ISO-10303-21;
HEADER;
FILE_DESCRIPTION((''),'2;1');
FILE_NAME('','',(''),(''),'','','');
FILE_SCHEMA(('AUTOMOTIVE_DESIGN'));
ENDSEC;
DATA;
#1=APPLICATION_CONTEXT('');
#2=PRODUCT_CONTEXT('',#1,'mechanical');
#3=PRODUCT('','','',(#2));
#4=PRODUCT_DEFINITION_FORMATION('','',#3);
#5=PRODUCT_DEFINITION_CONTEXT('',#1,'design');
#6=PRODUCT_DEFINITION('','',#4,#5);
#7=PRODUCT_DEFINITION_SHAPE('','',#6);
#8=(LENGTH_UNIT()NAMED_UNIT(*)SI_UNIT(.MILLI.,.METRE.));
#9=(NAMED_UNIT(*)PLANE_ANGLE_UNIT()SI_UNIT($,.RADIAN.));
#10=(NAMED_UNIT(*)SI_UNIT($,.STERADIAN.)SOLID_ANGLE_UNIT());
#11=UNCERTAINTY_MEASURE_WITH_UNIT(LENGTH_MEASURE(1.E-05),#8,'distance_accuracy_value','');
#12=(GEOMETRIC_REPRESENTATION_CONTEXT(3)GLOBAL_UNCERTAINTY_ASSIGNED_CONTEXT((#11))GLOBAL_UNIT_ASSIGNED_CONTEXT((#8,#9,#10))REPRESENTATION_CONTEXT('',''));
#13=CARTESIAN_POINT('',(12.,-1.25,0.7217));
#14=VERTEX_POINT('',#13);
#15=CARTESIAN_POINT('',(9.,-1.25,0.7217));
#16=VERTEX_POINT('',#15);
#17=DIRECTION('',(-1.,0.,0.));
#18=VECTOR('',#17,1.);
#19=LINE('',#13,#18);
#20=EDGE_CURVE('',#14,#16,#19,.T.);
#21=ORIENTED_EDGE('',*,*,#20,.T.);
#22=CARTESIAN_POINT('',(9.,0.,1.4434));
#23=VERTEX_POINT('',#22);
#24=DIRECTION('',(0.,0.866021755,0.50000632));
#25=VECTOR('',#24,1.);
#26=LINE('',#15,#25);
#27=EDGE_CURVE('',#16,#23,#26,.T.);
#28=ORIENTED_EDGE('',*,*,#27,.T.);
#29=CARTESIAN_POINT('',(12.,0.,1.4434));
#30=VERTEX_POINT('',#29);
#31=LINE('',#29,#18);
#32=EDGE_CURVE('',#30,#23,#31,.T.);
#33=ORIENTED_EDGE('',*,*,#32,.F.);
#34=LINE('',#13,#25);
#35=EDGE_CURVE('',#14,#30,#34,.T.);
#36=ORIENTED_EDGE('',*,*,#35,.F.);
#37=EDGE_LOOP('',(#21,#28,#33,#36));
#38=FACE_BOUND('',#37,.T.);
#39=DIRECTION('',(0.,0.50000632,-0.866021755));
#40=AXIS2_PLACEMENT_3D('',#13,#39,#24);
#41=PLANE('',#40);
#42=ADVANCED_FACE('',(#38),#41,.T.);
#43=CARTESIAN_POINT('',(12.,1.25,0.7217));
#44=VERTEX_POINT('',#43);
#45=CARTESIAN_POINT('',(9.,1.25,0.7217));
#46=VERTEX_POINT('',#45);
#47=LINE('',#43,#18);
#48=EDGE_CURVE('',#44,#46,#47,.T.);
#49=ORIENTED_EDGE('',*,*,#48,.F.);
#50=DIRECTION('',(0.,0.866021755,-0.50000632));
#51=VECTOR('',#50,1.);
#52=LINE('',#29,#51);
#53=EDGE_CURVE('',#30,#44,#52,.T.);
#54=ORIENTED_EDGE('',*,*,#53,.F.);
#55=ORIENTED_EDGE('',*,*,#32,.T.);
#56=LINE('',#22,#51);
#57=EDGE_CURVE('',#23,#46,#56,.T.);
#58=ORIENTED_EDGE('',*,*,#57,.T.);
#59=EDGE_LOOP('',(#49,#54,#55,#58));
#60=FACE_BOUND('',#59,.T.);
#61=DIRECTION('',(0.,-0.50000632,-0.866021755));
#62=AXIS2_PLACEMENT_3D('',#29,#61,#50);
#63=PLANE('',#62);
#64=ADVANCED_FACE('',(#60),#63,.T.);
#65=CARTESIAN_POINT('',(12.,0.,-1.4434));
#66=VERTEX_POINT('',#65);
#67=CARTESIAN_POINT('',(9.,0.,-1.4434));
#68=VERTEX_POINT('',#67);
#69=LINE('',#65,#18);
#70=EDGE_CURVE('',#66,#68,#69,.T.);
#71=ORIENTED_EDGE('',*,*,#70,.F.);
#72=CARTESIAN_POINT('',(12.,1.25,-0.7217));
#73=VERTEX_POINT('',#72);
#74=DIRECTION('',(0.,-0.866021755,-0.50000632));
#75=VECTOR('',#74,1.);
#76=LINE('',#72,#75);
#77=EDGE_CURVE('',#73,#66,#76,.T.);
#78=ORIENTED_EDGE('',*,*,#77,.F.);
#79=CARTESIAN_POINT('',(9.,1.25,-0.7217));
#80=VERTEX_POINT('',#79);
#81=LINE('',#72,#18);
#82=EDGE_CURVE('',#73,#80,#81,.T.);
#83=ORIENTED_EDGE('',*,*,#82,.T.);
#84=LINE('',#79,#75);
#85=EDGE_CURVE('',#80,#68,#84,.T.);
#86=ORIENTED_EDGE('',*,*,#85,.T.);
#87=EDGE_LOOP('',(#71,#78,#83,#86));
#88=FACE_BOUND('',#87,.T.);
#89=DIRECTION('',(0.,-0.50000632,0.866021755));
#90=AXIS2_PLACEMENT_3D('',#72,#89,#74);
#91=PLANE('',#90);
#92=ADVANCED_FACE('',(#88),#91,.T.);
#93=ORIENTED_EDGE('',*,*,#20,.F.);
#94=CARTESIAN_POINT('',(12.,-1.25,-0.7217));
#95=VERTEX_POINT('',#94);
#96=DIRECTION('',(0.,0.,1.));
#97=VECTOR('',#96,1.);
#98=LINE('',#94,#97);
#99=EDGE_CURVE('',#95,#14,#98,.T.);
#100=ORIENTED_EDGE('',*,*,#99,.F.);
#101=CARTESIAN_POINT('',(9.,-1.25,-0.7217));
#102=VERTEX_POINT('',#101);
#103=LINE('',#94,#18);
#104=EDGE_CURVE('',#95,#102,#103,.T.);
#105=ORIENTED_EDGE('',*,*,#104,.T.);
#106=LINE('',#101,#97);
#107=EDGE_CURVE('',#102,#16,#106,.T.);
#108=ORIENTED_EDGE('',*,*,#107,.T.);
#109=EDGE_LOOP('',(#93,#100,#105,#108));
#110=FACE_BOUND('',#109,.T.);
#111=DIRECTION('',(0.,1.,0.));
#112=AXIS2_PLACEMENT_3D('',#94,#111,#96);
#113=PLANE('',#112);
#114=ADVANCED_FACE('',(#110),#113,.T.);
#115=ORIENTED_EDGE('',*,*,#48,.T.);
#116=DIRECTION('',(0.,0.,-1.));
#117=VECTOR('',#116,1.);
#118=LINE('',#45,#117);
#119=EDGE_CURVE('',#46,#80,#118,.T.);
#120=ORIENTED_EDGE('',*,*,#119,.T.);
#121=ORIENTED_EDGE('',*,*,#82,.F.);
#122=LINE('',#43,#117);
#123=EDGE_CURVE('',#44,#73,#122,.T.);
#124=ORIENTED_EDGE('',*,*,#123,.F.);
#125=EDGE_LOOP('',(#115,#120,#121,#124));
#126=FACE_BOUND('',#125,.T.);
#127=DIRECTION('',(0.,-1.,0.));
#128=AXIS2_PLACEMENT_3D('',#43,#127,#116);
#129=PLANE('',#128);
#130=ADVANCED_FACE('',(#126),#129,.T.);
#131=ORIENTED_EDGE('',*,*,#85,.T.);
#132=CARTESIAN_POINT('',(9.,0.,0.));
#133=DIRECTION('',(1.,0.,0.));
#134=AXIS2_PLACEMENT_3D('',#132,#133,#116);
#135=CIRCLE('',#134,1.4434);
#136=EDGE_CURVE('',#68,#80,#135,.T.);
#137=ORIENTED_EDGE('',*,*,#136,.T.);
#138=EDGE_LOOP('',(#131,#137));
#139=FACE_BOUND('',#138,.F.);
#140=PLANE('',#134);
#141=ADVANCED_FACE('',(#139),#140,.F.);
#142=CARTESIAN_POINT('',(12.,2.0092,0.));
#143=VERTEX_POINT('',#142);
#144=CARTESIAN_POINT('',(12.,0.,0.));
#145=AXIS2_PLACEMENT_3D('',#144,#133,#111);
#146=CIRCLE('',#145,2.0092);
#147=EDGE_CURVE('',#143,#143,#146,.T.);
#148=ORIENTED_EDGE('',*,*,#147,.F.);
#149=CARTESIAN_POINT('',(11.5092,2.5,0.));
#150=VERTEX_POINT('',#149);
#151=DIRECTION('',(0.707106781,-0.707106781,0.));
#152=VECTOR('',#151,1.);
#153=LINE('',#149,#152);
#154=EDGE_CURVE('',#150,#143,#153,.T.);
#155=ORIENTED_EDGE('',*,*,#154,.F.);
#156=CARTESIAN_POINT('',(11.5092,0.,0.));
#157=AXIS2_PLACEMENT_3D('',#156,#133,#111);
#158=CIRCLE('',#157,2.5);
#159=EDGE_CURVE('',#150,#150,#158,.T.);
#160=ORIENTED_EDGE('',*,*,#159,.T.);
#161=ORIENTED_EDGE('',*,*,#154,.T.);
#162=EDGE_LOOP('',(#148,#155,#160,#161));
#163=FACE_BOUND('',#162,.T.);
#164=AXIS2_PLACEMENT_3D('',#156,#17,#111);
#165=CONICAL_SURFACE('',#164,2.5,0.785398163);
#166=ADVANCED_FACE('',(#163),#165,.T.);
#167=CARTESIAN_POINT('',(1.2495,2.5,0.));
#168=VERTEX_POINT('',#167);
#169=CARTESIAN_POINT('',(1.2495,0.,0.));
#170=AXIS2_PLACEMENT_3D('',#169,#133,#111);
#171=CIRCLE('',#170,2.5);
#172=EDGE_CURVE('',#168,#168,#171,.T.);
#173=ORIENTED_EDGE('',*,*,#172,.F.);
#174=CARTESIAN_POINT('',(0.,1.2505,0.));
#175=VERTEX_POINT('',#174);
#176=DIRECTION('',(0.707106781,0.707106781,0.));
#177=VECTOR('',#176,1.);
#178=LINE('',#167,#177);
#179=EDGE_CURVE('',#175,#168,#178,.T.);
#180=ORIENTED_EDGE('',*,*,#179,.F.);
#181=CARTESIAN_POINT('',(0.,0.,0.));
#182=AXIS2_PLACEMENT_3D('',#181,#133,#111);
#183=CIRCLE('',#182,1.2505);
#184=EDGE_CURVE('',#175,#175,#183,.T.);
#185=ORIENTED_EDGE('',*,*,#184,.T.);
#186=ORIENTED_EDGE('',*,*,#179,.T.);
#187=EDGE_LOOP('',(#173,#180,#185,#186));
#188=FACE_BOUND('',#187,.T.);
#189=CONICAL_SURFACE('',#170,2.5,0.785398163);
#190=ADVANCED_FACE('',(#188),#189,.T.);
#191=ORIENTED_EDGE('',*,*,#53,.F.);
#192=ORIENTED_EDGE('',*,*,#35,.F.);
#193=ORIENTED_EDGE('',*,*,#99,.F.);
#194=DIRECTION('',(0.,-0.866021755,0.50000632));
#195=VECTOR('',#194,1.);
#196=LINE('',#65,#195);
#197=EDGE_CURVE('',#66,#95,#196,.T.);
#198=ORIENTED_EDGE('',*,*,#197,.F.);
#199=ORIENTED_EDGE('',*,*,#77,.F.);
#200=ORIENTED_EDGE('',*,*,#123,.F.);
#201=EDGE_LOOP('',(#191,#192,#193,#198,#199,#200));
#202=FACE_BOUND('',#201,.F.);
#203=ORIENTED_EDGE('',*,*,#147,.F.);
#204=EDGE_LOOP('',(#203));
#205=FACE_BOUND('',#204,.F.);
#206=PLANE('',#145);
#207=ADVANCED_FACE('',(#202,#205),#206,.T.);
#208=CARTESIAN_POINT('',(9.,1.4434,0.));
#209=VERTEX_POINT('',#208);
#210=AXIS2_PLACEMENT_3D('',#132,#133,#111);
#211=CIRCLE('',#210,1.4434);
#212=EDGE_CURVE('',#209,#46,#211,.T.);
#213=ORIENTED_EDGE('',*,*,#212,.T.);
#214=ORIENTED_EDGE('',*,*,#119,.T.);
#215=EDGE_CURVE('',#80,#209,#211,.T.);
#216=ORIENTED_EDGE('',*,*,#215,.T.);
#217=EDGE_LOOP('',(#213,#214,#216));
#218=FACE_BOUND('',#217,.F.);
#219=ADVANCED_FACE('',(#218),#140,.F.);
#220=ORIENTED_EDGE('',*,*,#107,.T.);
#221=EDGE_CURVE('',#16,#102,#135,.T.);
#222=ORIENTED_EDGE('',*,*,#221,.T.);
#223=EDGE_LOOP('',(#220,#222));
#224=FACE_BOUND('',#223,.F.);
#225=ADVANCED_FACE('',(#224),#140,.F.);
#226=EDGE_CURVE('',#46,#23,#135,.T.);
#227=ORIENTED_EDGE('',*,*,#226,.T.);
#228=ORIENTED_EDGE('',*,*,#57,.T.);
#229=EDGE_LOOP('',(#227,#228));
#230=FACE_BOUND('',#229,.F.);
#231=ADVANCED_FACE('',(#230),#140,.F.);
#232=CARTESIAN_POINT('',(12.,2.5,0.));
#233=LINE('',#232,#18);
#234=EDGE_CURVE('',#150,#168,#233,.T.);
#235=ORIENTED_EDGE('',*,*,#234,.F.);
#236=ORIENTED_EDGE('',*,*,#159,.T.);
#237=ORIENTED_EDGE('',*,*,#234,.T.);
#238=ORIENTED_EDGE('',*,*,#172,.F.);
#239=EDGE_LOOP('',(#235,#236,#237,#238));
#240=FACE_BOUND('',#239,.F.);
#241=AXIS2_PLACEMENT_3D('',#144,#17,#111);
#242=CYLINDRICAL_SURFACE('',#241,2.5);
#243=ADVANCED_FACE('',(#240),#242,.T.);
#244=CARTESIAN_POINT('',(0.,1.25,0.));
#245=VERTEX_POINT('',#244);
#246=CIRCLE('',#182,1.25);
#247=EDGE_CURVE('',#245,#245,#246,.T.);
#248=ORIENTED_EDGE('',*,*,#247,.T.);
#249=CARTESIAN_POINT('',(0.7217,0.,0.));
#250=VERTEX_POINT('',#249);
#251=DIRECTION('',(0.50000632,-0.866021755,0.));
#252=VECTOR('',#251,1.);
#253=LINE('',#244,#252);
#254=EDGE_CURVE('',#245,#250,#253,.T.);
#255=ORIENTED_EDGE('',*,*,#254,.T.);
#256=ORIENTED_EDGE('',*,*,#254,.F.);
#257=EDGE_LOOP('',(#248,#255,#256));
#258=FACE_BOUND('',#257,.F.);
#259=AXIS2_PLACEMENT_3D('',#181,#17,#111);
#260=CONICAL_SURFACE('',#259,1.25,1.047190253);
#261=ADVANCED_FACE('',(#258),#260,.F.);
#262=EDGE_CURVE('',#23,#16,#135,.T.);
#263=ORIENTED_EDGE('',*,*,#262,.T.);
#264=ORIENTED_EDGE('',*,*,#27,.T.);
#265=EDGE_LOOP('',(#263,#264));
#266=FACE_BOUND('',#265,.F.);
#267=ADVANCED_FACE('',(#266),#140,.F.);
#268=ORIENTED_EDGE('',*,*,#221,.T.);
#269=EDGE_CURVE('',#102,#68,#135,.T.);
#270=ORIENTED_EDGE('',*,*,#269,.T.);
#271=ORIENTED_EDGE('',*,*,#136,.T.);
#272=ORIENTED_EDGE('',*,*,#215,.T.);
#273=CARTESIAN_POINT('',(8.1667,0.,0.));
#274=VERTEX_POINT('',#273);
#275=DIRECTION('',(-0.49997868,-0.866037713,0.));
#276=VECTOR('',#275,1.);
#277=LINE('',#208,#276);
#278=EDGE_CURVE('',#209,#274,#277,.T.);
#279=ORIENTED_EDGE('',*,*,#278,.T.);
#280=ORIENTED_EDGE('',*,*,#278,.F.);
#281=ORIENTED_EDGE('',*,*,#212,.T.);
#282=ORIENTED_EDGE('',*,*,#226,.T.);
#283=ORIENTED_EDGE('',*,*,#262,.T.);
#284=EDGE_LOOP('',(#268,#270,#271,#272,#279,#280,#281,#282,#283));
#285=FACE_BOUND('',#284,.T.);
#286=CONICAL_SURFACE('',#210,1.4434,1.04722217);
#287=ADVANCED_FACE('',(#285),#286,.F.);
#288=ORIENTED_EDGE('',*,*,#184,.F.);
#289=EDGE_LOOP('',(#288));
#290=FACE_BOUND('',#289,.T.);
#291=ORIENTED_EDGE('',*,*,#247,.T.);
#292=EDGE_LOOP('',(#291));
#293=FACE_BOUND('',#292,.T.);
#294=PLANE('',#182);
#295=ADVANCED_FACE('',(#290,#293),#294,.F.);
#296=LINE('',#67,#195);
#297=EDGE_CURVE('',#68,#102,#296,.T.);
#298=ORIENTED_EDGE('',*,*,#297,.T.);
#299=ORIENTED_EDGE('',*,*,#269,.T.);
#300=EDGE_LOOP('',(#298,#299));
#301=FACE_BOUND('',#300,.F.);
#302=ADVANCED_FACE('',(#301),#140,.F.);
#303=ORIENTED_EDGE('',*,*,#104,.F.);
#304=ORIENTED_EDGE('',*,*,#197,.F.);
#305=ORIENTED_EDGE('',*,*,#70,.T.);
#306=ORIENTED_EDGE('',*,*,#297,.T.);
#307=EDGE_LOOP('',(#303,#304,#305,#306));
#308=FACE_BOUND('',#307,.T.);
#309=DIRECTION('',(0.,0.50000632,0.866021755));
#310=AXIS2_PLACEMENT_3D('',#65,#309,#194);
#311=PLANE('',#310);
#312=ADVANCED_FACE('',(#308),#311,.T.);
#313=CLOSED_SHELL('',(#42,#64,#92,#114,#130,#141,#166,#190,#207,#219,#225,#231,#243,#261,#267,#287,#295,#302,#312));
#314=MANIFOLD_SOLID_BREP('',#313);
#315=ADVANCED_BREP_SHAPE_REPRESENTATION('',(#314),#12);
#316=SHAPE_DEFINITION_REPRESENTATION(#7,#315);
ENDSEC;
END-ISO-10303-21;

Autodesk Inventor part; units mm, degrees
ref_plane "YZ Plane" through (0, 0, 0) normal (1, 0, 0) x (0, 1, 0)
ref_plane "XZ Plane" through (0, 0, 0) normal (0, 1, 0) x (-1, 0, 0)
sketch "Skizze1" plane through (0, 0, 0) normal (0, 0, 1) x (1, 0, 0)
  line L0 (0.7217, 0) -> (8.1667, 0)
  line L1 (12, 1.4434) -> (12, 2.5)
  line L2 (12, 2.5) -> (0, 2.5)
  line L3 (12, 1.4434) -> (9, 1.4434)
  line L4 (9, 1.4434) -> (8.1667, 0)
  line L5 (0, 1.25) -> (0.7217, 0)
  line L6 (0, -0.5) -> (0, 3) projected
  line L7 (0, 1.25) -> (0, 2.5)
  point P0 (0, 0)
  dimension "d0" = 3
  dimension "d1" = 60
  dimension "d2" = 5
  dimension "d3" = 2.8868
  dimension "d4" = 12
  dimension "d5" = 60
  dimension "d7" = 2.5
revolve "Körper" add sketch "Skizze1" angle 360 about axis through (0.7217, 0, 0) along (1, 0, 0)
sketch "Skizze2" plane through (12, 0, 0) normal (1, 0, 0) x (0, 0, -1)
  circle A0 centre (0, 0) radius 1.4434 projected
  circle A1 centre (0, 0) radius 2.5 projected
  line L0 (1.4434, 0) -> (0.7217, -1.25)
  line L1 (0.7217, -1.25) -> (-0.7217, -1.25)
  line L2 (-0.7217, -1.25) -> (-1.4434, 0)
  line L3 (-1.4434, 0) -> (-0.7217, 1.25)
  line L4 (-0.7217, 1.25) -> (0.7217, 1.25)
  line L5 (0.7217, 1.25) -> (1.4434, 0)
extrude "Loch" add sketch "Skizze2" against normal blind 3 contours L5 A0 | A0 L0 | L4 A0 | A0 L1 | L3 A0 | A0 L2
chamfer "Fase1" distance 1.25 angle 45 1 edges at (0, -2.5, 0) measured on face at (0, 2.0591, -0.1994)
thread "Gewinde" size "M5x0.8" class "6g" standard "ISO Metric profile" length 12
chamfer "Fase2" distance 0.4908 angle 45 1 edges at (12, -2.5, 0) measured on face at (4.833, 2.4919, -0.2012)
ref_plane "Work Plane1" through (6, 0, 0) normal (0, -0.5, -0.866) x (1, 0, 0)
equation "\"d0\" = INTI"
equation "\"d2\" = NND"
equation "\"d3\" = 1.1547 * SW"
equation "\"d4\" = NLG"
equation "\"d5\" = 0.5 * ANG"
equation "\"d7\" = SPD"
equation "\"d8\" = INTI"
equation "\"d10\" = -0.5 * SPD + 0.5 * NND"
equation "\"d11\" = FAWI"
equation "\"d33\" = -0.5 * SPD + 0.5 * NND"
equation "\"d14\" = NLG"
equation "\"d12\" = -0.5 * GD1 + 0.5 * NND"
equation "\"d13\" = FAWI"
equation "\"d34\" = -0.5 * GD1 + 0.5 * NND"
equation "\"NND\" = 5"
equation "\"NLG\" = 12"
equation "\"INTI\" = 3"
equation "\"FAWI\" = 45deg"
equation "\"SW\" = 2.5"
equation "\"GD1\" = THREADDIA - 1.2269 * PTC"
equation "\"ANG\" = 120deg"
equation "\"FAWI1\" = 45deg"
equation "\"SPD\" = 2.5"
equation "\"GUL\" = 0.61345 * PTC"
equation "\"TOA\" = 30deg"
equation "\"THREADDIA\" = 5"
equation "\"PTC\" = 0.8"
equation "\"GAL\" = 0.61345 * PTC"
equation "\"E0\" = 1.155 * SW"
properties part number "ISO 4029 - M5 x 12" material "Edelstahl, 440C"
